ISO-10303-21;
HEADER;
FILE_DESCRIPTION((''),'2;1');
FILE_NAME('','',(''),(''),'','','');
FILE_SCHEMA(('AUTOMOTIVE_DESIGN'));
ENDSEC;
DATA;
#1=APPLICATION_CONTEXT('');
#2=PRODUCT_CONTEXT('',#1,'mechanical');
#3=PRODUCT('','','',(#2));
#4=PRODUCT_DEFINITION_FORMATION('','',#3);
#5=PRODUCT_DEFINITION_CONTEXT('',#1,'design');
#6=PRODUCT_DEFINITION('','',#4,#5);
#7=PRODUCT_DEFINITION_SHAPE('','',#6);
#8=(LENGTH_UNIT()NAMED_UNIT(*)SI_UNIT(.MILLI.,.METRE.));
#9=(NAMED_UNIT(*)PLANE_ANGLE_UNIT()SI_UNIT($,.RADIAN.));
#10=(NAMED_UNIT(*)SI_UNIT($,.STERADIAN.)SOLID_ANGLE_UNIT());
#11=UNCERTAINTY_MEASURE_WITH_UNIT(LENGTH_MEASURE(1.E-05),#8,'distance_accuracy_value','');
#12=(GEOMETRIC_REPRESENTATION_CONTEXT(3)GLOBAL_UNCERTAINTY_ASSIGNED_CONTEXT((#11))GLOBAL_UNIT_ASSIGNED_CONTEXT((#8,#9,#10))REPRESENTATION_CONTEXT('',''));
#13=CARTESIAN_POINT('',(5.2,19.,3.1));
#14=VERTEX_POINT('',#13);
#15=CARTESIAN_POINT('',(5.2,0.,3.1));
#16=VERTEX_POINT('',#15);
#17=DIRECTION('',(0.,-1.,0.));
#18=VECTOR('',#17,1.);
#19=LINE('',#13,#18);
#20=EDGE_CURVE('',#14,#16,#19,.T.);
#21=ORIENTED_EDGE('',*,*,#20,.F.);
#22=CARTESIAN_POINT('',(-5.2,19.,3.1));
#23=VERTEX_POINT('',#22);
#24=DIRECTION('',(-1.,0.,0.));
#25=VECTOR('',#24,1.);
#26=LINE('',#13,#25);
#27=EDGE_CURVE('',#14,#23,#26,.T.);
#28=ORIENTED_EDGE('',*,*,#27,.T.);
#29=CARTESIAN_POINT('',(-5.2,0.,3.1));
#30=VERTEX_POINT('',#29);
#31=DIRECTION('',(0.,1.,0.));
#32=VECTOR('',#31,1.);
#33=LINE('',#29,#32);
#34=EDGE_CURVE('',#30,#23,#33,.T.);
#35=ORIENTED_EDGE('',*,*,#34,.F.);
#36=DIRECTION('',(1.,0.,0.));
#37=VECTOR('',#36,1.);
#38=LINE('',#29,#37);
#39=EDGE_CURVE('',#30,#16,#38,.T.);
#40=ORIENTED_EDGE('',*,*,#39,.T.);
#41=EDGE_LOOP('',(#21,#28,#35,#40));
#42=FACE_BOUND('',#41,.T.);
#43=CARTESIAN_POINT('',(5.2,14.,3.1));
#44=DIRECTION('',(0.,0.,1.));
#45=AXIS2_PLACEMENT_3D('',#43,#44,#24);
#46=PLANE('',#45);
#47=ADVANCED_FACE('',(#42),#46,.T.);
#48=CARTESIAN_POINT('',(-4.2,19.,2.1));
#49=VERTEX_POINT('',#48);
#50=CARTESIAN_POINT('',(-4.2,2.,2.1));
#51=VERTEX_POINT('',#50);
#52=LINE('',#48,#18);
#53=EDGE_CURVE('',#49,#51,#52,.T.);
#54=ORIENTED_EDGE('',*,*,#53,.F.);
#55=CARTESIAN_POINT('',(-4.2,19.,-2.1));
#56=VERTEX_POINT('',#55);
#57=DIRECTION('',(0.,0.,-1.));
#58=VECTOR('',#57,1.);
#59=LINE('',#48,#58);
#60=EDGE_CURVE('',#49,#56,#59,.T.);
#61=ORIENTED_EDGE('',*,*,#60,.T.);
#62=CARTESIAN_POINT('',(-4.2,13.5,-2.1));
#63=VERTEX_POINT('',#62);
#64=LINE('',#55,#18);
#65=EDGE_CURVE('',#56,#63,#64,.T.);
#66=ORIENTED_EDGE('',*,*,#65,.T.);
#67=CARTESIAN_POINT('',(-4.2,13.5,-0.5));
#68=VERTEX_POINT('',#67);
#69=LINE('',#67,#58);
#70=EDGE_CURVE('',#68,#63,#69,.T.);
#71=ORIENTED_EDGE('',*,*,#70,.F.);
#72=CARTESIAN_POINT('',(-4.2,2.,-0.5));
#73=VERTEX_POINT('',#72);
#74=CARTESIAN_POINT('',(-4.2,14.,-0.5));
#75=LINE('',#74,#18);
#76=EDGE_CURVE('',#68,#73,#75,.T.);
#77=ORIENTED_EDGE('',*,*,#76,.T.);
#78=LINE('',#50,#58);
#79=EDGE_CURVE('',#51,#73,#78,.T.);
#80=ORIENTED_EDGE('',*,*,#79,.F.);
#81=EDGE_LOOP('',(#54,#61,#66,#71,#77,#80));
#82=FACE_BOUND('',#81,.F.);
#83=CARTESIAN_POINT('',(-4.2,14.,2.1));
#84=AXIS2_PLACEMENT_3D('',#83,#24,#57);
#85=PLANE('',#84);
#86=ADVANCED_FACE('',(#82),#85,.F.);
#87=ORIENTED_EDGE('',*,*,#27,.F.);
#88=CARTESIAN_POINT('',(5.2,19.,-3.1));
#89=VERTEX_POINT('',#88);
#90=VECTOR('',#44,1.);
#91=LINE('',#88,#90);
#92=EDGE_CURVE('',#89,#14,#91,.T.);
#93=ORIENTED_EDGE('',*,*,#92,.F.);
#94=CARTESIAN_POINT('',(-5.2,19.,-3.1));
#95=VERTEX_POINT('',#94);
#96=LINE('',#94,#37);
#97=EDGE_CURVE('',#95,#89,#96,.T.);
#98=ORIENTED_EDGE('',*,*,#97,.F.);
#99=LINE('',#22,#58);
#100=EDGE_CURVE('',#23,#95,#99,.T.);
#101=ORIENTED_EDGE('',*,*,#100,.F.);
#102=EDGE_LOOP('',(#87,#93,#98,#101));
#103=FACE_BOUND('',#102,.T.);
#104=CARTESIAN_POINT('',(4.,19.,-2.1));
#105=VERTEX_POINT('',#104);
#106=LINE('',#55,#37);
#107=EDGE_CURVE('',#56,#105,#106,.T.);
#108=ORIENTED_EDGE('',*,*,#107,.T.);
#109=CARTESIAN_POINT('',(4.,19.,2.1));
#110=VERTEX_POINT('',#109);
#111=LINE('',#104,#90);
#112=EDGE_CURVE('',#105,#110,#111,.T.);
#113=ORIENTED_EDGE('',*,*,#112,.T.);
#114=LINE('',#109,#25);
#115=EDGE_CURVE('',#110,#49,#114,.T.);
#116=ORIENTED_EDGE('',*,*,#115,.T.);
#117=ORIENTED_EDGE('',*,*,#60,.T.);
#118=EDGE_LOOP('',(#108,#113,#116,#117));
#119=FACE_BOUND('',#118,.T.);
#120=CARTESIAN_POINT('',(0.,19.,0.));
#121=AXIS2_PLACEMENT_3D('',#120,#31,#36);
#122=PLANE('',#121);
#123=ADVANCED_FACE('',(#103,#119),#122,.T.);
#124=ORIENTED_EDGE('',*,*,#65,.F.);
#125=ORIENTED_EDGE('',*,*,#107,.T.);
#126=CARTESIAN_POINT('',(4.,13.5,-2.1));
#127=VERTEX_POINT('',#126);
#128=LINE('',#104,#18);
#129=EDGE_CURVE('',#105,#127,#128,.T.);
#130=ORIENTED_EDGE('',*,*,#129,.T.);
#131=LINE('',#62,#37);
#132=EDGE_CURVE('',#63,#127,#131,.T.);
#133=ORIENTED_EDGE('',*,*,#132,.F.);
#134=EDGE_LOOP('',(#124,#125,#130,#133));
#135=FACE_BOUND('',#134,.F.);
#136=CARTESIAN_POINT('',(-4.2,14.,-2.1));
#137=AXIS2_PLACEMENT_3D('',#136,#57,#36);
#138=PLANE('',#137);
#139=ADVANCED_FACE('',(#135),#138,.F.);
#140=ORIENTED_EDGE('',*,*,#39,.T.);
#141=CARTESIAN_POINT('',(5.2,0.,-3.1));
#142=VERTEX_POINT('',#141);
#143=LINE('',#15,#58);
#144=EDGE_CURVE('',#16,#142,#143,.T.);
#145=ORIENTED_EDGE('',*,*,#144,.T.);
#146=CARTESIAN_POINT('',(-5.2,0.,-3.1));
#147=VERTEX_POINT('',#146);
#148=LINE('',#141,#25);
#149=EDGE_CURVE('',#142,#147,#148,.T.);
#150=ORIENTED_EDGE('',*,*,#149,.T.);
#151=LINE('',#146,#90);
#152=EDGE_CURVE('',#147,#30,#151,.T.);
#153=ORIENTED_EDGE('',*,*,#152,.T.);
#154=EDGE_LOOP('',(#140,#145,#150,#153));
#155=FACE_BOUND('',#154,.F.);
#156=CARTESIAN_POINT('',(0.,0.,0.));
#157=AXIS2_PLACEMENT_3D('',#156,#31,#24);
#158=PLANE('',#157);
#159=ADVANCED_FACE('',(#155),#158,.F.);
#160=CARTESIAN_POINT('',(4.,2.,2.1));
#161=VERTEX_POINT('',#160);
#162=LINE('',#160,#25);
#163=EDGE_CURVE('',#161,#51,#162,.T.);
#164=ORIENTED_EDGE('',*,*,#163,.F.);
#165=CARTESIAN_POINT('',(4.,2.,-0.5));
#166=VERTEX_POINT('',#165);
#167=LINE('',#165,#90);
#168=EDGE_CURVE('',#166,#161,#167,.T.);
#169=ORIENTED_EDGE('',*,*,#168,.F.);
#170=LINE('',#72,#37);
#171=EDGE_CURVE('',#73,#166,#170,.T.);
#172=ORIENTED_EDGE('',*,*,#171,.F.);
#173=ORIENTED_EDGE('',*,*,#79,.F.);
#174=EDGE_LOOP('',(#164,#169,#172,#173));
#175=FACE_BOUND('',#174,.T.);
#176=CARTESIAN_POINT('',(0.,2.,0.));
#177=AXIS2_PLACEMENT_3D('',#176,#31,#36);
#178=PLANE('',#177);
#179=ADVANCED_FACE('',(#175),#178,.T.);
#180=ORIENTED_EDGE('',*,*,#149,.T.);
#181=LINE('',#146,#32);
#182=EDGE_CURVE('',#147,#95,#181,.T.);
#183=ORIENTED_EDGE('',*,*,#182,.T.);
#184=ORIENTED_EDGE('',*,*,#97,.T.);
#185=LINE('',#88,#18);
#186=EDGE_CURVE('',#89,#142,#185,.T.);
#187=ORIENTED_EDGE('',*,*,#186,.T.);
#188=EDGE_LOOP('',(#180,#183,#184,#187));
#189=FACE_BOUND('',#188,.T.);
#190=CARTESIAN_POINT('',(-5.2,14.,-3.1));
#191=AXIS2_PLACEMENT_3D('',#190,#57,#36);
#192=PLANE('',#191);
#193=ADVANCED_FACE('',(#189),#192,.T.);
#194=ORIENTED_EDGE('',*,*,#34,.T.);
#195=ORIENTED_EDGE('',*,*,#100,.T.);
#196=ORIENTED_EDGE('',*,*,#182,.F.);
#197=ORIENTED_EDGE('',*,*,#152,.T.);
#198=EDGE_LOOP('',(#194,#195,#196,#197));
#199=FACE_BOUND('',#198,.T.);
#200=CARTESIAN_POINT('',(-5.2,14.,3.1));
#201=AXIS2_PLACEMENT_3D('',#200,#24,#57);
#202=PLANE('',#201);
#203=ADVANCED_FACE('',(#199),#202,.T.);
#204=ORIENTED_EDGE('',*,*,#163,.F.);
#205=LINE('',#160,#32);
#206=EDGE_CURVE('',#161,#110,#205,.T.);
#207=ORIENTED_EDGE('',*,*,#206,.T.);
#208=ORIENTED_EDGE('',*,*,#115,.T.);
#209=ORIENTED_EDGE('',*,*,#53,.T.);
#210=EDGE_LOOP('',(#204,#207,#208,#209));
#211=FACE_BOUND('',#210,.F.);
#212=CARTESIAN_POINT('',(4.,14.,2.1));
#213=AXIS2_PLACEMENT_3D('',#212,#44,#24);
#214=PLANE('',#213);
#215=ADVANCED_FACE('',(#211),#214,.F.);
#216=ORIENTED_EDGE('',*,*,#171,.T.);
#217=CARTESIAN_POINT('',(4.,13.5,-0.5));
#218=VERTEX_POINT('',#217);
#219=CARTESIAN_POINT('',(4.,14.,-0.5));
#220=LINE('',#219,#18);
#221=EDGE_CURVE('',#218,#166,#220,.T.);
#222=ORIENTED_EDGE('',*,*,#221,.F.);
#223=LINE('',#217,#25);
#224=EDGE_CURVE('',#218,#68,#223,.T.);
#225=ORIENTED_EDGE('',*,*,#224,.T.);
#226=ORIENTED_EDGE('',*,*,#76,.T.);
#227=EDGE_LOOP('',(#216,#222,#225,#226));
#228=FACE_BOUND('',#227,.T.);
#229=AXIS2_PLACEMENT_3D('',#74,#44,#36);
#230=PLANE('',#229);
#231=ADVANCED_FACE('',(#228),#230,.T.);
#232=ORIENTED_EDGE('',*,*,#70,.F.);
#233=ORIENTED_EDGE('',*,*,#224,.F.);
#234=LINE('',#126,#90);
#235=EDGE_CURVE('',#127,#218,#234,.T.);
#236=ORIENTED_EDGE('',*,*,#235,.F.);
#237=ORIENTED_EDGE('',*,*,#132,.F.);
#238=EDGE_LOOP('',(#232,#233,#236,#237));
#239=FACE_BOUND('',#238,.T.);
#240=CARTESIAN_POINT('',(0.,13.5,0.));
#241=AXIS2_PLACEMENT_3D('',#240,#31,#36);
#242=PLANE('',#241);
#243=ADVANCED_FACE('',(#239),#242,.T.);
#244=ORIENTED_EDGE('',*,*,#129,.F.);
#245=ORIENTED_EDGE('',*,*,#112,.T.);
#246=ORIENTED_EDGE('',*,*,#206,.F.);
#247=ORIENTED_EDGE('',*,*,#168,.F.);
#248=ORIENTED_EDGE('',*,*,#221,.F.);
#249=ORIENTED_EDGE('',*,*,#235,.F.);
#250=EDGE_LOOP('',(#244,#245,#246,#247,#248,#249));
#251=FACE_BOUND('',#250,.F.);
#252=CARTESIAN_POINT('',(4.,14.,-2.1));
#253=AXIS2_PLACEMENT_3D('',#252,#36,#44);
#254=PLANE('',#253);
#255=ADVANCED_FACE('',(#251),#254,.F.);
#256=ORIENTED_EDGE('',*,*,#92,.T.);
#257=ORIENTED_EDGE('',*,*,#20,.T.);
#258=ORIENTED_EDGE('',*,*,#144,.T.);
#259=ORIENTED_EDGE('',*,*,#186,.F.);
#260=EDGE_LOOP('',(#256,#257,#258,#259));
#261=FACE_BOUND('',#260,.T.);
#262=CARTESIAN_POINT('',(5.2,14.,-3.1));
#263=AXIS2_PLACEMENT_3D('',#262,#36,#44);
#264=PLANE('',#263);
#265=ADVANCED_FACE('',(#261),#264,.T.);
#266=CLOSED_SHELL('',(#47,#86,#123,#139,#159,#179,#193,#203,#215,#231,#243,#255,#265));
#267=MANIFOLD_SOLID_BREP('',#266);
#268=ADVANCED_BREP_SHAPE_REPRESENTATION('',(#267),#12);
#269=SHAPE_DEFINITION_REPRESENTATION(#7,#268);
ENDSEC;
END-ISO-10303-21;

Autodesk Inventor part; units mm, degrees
ref_plane "YZ Plane" through (0, 0, 0) normal (1, 0, 0) x (0, 1, 0)
ref_plane "XZ Plane" through (0, 0, 0) normal (0, 1, 0) x (-1, 0, 0)
ref_plane "XY Plane" through (0, 0, 0) normal (0, 0, 1) x (1, 0, 0)
sketch "Sketch2" plane through (0, 0, 0) normal (0, 1, 0) x (-1, 0, 0)
  line L0 (-5.2, -3.1) -> (5.2, -3.1)
  line L1 (5.2, -3.1) -> (5.2, 3.1)
  line L2 (5.2, 3.1) -> (-5.2, 3.1)
  line L3 (-5.2, 3.1) -> (-5.2, -3.1)
  line L4 (-5.2, -3.1) -> (5.2, 3.1) construction
  line L5 (5.2, -3.1) -> (-5.2, 3.1) construction
  point P0 (0, 0)
  dimension "d10" = 10.4
  dimension "d11" = 6.2
extrude "Extrusion1" add sketch "Sketch2" along normal blind 14
sketch "Sketch3" plane through (0, 14, 0) normal (0, 1, 0) x (1, 0, 0)
  line L0 (5.2, 3.1) -> (-5.2, 3.1) projected
  line L1 (-5.2, 3.1) -> (-5.2, -3.1) projected
  line L2 (-4.2, 2.1) -> (4, 2.1)
  line L3 (4, 2.1) -> (4, 0.5)
  line L4 (4, 0.5) -> (-4.2, 0.5)
  line L5 (-4.2, 0.5) -> (-4.2, 2.1)
  point P0 (0, 0)
  dimension "d14" = 8.2
  dimension "d15" = 1.6
  dimension "d16" = 1
  dimension "d17" = 1
extrude "Extrusion2" cut sketch "Sketch3" against normal blind 0.5
sketch "Sketch4" plane through (0, 14, 0) normal (0, 1, 0) x (1, 0, 0)
  line L0 (-4.2, 2.1) -> (4, 2.1) projected
  line L1 (-5.2, -3.1) -> (5.2, -3.1) projected
  line L2 (-4.2, 0.5) -> (4, 0.5)
  line L3 (4, 0.5) -> (4, -2.1)
  line L4 (4, -2.1) -> (-4.2, -2.1)
  line L5 (-4.2, -2.1) -> (-4.2, 0.5)
  point P0 (0, 0)
  dimension "d20" = 1
extrude "Extrusion3" cut sketch "Sketch4" against normal blind 12
sketch "Sketch5" plane through (0, 14, 0) normal (0, 1, 0) x (1, 0, 0)
  line L0 (-5.2, 3.1) -> (5.2, 3.1)
  line L1 (5.2, 3.1) -> (5.2, -3.1)
  line L2 (5.2, -3.1) -> (-5.2, -3.1)
  line L3 (-5.2, -3.1) -> (-5.2, 3.1)
  line L4 (4, -2.1) -> (-4.2, -2.1)
  line L5 (-4.2, -2.1) -> (-4.2, 2.1)
  line L6 (-4.2, 2.1) -> (4, 2.1)
  line L7 (4, 2.1) -> (4, -2.1)
  point P0 (0, 0)
extrude "Extrusion4" add sketch "Sketch5" along normal blind 5
properties part number "test"
